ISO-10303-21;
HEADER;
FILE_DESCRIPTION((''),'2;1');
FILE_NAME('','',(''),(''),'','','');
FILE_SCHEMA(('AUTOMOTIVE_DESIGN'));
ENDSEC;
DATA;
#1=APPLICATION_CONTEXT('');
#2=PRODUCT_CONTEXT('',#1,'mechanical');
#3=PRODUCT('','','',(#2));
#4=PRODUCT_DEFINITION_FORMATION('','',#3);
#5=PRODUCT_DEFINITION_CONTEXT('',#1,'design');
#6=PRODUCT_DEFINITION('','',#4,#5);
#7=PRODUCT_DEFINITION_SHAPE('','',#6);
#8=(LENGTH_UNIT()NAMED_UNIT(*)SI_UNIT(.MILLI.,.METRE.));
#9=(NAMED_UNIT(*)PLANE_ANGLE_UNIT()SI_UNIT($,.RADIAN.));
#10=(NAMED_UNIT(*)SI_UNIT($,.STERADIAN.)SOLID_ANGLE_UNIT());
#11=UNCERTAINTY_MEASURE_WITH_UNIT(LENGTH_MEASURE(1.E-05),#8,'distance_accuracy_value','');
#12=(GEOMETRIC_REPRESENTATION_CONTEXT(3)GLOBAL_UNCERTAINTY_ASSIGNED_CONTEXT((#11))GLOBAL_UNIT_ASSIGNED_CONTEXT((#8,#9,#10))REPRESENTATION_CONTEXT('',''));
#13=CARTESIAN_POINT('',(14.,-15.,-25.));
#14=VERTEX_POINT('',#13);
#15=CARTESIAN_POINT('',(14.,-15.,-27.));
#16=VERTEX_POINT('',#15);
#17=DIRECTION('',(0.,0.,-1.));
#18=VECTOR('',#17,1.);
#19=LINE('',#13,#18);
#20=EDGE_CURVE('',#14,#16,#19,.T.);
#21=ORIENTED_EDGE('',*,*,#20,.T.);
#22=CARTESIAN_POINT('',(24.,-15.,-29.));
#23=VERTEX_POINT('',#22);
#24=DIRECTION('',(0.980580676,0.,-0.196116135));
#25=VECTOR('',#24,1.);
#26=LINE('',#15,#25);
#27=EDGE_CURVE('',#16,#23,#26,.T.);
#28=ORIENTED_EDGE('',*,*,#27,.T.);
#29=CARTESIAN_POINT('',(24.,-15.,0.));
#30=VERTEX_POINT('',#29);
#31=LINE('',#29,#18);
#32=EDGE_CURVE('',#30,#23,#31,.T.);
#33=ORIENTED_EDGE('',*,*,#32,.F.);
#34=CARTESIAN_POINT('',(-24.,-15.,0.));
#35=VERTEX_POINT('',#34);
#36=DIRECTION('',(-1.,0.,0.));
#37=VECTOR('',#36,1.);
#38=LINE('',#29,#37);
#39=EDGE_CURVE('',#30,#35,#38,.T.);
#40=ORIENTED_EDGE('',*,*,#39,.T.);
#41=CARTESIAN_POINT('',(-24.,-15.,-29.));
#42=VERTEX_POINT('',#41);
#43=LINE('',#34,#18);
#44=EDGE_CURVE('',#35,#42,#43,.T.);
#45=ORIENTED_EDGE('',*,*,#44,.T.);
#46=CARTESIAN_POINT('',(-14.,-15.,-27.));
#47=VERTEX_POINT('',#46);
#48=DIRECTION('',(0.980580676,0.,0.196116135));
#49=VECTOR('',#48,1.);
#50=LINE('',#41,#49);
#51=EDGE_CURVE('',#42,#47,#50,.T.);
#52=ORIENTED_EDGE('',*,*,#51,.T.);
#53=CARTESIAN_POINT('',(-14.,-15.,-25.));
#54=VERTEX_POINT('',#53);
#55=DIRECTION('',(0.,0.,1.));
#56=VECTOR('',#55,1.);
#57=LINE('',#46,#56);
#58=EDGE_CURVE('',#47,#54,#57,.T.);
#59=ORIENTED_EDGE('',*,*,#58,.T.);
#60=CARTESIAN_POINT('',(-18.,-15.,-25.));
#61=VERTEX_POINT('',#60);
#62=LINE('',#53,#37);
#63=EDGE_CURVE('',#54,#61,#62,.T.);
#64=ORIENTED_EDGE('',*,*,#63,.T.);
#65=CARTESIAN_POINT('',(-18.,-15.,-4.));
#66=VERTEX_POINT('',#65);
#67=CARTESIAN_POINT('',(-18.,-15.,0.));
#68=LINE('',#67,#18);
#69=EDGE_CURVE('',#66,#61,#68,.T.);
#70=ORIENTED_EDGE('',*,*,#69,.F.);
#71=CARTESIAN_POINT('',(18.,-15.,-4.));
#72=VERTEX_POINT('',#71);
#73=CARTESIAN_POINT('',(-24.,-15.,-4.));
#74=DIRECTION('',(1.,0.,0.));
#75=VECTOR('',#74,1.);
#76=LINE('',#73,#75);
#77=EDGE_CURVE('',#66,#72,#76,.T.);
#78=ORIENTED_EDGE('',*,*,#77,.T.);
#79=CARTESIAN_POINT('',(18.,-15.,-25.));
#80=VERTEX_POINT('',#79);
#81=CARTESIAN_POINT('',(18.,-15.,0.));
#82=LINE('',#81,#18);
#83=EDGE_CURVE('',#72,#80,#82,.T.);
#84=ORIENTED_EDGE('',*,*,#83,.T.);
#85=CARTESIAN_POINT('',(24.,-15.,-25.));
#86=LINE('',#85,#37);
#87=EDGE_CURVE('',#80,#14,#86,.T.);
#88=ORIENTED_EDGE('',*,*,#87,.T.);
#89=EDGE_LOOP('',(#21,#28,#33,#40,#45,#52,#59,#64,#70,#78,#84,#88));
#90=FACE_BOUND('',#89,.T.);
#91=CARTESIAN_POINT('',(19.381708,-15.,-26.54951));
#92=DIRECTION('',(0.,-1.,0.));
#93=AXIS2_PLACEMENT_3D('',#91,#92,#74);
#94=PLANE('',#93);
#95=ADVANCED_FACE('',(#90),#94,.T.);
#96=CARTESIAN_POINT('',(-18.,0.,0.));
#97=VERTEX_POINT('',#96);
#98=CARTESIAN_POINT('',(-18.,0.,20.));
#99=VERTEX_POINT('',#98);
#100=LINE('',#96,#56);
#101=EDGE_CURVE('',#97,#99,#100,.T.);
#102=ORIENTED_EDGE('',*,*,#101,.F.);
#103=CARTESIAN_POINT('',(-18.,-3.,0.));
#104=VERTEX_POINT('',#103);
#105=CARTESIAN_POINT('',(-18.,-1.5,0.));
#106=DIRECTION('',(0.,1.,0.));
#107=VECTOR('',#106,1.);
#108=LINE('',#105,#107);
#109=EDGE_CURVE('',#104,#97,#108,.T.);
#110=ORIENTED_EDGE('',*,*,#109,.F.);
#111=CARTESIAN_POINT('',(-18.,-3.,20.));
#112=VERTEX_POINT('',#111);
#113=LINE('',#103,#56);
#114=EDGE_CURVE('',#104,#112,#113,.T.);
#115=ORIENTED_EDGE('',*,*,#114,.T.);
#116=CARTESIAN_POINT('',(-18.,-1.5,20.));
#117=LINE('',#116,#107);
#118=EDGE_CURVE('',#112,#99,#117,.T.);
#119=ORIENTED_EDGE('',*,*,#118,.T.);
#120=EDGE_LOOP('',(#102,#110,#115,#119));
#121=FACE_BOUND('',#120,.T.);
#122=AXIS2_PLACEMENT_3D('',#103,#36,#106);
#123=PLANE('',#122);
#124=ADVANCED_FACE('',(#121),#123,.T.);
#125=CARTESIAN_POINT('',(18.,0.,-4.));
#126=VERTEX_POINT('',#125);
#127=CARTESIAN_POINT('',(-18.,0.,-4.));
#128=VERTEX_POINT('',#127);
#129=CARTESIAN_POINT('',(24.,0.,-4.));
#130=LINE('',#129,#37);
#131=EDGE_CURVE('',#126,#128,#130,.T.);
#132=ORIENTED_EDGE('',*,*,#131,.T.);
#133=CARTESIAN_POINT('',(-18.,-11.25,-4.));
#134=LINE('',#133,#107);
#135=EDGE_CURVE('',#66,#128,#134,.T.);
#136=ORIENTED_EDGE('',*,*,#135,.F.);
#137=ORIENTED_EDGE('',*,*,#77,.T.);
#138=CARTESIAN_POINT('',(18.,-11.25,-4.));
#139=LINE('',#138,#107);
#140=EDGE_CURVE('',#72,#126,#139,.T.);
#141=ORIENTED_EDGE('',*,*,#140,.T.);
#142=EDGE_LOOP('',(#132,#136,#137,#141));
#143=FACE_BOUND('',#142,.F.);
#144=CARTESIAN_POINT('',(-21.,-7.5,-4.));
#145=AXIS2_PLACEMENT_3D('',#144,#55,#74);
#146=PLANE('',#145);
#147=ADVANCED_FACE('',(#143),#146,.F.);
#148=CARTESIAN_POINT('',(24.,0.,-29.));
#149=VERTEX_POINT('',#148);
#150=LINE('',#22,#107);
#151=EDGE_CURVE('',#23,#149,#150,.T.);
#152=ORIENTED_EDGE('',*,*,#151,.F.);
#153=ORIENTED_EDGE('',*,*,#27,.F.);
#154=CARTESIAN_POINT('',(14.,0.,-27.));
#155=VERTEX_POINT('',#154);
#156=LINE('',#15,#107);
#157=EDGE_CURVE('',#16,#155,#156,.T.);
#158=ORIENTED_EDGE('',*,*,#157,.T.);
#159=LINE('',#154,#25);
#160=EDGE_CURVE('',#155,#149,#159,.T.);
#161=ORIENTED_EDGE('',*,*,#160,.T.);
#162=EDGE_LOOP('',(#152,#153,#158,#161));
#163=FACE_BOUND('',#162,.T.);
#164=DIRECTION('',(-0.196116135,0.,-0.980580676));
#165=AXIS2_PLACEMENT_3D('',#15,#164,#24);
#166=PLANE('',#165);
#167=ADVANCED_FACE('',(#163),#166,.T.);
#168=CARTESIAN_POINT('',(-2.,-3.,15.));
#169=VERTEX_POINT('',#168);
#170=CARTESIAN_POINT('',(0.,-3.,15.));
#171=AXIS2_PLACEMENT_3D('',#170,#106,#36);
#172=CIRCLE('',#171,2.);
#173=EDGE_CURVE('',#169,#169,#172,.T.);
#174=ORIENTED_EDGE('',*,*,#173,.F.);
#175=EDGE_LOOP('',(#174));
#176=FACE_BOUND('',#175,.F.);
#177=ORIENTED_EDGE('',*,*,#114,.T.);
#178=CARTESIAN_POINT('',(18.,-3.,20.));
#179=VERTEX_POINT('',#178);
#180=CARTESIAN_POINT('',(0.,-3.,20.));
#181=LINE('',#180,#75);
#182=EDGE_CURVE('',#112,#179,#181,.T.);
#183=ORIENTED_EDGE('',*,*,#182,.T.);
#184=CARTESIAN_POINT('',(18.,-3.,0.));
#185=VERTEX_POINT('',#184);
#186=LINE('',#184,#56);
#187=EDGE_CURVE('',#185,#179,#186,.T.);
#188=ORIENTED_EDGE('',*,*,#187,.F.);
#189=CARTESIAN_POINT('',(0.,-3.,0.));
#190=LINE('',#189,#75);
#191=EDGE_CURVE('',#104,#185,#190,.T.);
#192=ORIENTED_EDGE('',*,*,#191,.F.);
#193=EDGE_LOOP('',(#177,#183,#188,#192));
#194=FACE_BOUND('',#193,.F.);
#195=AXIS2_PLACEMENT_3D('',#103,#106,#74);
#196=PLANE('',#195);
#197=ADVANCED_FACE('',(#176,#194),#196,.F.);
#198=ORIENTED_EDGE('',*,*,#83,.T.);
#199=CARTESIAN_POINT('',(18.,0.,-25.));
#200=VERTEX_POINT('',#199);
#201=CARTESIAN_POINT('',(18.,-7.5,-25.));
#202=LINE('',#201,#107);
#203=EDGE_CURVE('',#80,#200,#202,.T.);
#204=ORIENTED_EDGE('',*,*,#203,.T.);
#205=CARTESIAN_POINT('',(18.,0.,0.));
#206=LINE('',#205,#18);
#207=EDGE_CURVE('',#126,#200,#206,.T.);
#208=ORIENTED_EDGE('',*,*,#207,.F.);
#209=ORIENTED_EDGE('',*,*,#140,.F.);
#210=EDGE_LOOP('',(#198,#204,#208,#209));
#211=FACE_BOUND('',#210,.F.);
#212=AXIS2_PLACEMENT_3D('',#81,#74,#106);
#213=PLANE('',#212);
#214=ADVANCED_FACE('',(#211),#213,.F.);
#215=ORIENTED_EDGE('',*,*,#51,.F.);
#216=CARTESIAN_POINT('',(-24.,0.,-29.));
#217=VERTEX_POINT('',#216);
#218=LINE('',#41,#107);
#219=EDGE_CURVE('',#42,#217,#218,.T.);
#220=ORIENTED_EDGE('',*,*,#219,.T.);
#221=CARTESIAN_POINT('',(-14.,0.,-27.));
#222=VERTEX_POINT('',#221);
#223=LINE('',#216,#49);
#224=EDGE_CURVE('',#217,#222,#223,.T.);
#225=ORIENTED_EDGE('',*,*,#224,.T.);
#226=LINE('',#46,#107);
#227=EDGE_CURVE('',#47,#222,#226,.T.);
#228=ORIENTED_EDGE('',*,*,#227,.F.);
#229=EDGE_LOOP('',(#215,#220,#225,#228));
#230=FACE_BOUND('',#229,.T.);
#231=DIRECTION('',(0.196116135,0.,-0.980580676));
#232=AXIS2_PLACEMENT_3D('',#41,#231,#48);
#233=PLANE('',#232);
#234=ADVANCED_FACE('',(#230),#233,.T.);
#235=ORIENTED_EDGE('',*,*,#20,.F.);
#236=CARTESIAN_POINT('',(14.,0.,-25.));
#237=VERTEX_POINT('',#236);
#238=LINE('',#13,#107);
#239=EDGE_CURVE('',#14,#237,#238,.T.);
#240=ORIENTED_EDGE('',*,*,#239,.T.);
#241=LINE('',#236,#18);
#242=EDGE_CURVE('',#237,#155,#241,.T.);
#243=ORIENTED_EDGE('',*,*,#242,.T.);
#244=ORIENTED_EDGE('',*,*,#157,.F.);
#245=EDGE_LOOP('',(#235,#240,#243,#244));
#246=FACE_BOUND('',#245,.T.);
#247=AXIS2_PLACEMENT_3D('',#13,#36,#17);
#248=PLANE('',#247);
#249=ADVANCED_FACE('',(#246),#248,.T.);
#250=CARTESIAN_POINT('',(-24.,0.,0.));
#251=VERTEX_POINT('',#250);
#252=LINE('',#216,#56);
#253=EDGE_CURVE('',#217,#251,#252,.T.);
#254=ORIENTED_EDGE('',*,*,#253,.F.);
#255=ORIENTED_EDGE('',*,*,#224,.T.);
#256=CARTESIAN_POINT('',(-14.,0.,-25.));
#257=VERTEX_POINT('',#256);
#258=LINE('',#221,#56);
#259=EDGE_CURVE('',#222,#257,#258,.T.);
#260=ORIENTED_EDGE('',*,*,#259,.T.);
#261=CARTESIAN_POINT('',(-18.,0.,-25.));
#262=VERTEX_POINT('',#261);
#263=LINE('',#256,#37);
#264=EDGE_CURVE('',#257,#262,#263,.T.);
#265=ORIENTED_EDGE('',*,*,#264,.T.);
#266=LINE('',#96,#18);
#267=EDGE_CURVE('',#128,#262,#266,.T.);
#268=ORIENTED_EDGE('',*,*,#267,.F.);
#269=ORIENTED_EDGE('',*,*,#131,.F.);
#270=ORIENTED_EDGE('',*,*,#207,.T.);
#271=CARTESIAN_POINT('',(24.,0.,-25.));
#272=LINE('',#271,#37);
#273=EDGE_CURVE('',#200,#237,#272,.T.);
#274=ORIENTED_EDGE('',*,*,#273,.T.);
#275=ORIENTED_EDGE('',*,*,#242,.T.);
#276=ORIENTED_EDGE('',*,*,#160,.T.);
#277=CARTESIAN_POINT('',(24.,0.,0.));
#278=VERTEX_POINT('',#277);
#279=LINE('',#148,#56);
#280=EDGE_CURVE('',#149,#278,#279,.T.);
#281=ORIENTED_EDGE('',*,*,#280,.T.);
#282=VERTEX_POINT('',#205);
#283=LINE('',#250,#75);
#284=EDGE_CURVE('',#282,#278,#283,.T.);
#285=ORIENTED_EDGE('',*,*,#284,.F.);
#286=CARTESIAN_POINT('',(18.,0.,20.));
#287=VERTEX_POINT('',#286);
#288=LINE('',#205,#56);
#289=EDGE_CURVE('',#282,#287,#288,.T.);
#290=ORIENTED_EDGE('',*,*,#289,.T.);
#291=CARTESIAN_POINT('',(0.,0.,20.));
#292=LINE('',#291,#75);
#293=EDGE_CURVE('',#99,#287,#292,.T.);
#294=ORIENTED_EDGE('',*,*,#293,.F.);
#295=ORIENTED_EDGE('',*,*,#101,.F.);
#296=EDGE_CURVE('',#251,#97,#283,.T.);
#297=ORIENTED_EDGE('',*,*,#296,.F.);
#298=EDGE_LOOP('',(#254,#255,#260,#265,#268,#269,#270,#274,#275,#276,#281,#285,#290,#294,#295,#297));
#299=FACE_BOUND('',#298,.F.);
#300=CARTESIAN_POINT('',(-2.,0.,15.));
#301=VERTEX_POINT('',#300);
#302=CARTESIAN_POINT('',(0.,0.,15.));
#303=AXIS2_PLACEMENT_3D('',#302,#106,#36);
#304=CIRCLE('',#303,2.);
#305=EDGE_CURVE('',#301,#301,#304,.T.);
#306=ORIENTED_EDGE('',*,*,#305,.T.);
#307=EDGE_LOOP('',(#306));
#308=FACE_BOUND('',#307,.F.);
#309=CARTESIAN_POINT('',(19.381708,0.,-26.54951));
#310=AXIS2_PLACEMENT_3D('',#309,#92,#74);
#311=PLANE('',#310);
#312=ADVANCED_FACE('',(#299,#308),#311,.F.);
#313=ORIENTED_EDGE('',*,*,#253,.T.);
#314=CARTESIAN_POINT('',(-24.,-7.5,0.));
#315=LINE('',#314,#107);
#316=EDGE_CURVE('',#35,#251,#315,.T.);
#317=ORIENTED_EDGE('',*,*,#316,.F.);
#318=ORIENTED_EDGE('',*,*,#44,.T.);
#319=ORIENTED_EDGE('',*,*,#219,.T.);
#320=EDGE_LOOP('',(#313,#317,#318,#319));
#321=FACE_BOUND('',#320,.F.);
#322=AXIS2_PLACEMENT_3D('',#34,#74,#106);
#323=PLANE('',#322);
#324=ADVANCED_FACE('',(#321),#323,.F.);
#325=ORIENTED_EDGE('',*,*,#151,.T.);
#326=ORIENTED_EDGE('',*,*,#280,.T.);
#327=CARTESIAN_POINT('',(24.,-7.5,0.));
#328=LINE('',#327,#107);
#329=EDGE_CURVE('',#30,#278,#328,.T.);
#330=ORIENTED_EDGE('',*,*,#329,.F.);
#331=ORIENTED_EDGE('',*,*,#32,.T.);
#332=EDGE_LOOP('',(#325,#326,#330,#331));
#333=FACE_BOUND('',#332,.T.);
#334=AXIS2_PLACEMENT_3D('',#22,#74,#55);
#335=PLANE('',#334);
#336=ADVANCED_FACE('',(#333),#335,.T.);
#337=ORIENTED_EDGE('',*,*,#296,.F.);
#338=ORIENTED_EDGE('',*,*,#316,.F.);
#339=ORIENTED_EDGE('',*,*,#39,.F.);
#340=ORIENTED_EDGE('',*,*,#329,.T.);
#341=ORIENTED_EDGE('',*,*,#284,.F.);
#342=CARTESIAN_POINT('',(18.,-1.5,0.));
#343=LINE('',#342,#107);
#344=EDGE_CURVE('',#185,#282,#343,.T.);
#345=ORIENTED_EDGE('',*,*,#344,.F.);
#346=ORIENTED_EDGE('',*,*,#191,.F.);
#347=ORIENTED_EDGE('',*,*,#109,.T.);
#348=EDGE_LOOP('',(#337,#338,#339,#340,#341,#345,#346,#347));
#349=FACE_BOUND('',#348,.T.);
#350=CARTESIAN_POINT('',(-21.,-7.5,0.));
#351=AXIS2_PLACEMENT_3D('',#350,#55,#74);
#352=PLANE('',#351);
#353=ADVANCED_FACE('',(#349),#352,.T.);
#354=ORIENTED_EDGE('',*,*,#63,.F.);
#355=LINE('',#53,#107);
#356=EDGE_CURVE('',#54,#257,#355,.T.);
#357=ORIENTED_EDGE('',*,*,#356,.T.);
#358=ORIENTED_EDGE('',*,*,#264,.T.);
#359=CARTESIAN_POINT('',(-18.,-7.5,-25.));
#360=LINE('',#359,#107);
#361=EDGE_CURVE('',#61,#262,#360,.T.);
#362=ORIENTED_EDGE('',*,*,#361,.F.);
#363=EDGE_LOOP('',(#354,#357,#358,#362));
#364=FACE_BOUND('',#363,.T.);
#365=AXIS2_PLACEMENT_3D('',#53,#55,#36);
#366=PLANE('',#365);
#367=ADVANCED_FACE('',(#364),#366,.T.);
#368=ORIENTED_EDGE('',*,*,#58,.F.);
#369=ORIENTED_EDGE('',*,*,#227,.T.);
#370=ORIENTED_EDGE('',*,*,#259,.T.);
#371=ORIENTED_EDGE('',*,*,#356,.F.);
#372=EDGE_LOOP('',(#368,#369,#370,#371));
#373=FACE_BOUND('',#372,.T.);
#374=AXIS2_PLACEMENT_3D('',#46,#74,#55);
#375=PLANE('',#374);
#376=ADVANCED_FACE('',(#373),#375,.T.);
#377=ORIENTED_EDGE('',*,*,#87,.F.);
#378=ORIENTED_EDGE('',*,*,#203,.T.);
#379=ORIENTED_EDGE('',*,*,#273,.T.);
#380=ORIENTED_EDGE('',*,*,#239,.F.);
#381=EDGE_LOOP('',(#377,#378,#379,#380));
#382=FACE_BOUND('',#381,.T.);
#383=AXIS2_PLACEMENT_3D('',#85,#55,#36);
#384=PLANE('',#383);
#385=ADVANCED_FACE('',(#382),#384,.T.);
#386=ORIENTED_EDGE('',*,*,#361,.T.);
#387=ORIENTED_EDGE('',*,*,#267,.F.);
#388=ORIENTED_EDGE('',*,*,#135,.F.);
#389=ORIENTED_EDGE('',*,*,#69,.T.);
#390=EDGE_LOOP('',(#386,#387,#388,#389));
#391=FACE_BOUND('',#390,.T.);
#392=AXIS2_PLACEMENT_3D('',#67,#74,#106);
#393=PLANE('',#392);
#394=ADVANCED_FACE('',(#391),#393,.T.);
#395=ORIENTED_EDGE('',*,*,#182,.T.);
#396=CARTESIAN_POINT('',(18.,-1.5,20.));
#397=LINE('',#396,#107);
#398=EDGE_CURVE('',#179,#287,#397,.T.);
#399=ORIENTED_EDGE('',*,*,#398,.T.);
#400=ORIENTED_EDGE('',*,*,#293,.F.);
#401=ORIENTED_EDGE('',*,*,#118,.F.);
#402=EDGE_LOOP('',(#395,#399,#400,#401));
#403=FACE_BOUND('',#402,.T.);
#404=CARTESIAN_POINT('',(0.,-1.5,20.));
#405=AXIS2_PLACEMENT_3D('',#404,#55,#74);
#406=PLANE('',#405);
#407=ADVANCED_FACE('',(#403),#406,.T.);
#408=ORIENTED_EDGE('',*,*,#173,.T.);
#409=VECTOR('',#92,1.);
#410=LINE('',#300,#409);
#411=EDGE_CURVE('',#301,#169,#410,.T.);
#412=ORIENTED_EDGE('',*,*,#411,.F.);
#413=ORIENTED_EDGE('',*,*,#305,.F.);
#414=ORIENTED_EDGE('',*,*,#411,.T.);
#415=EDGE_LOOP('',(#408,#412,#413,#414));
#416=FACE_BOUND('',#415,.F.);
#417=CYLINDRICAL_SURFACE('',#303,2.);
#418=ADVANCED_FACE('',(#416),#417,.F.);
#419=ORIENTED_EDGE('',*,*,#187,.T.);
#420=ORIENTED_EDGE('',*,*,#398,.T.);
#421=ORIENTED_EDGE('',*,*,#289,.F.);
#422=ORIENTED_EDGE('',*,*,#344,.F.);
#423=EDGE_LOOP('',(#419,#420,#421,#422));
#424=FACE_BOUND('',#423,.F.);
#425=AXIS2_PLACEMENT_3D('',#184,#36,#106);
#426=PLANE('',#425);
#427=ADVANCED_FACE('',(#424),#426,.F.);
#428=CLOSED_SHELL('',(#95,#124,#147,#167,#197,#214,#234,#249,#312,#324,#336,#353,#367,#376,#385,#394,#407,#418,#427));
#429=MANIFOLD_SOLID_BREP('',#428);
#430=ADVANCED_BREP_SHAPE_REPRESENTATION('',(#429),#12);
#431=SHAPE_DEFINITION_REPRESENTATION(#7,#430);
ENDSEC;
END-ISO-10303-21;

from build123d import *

# Parameters (mm, degrees)
F0_W     = 6
F0_H     = 15
F0_W_2   = 36
F1_DEPTH = 4
F2_DEPTH = 25
F4_DEPTH = 15
F5_W     = 36
F5_H     = 3
F6_DEPTH = 20
F7_R     = 2
F8_DEPTH = 3


with BuildPart() as f1:
    # F0 (on Top) → F1 (new body)
    with BuildSketch(Plane.XY):
        with Locations((-21, -7.5)):
            Rectangle(F0_W, F0_H)
        with Locations((0, -7.5)):
            Rectangle(F0_W_2, F0_H)
        with Locations((21, -7.5)):
            Rectangle(F0_W, F0_H)
    extrude(amount=-F1_DEPTH)

    # F0 (on Top) → F2 (join)
    with BuildSketch(Plane.XY):
        with Locations((-21, -7.5)):
            Rectangle(F0_W, F0_H)
        with Locations((21, -7.5)):
            Rectangle(F0_W, F0_H)
    extrude(amount=-F2_DEPTH)

    # F3 (on face) → F4 (join, through all)
    with BuildSketch(Plane.XZ.offset(15)):
        Polygon((24, -29), (24, -25), (18, -25), (14, -25), (14, -27), align=None)
        Polygon((-18, -25), (-24, -25), (-24, -29), (-14, -27), (-14, -25), align=None)
    extrude(amount=-F4_DEPTH)

    # F5 (on Top) → F6 (join)
    with BuildSketch(Plane.XY):
        with Locations((0, -1.5)):
            Rectangle(F5_W, F5_H)
    extrude(amount=F6_DEPTH)

    # F7 (on face) → F8 (cut, through all)
    with BuildSketch(Plane(origin=(0, 0, 0), x_dir=(-1, 0, 0), z_dir=(0, 1, 0))):
        with Locations((0, 15)):
            Circle(F7_R)
    extrude(amount=-F8_DEPTH, mode=Mode.SUBTRACT)


solid = f1.part
